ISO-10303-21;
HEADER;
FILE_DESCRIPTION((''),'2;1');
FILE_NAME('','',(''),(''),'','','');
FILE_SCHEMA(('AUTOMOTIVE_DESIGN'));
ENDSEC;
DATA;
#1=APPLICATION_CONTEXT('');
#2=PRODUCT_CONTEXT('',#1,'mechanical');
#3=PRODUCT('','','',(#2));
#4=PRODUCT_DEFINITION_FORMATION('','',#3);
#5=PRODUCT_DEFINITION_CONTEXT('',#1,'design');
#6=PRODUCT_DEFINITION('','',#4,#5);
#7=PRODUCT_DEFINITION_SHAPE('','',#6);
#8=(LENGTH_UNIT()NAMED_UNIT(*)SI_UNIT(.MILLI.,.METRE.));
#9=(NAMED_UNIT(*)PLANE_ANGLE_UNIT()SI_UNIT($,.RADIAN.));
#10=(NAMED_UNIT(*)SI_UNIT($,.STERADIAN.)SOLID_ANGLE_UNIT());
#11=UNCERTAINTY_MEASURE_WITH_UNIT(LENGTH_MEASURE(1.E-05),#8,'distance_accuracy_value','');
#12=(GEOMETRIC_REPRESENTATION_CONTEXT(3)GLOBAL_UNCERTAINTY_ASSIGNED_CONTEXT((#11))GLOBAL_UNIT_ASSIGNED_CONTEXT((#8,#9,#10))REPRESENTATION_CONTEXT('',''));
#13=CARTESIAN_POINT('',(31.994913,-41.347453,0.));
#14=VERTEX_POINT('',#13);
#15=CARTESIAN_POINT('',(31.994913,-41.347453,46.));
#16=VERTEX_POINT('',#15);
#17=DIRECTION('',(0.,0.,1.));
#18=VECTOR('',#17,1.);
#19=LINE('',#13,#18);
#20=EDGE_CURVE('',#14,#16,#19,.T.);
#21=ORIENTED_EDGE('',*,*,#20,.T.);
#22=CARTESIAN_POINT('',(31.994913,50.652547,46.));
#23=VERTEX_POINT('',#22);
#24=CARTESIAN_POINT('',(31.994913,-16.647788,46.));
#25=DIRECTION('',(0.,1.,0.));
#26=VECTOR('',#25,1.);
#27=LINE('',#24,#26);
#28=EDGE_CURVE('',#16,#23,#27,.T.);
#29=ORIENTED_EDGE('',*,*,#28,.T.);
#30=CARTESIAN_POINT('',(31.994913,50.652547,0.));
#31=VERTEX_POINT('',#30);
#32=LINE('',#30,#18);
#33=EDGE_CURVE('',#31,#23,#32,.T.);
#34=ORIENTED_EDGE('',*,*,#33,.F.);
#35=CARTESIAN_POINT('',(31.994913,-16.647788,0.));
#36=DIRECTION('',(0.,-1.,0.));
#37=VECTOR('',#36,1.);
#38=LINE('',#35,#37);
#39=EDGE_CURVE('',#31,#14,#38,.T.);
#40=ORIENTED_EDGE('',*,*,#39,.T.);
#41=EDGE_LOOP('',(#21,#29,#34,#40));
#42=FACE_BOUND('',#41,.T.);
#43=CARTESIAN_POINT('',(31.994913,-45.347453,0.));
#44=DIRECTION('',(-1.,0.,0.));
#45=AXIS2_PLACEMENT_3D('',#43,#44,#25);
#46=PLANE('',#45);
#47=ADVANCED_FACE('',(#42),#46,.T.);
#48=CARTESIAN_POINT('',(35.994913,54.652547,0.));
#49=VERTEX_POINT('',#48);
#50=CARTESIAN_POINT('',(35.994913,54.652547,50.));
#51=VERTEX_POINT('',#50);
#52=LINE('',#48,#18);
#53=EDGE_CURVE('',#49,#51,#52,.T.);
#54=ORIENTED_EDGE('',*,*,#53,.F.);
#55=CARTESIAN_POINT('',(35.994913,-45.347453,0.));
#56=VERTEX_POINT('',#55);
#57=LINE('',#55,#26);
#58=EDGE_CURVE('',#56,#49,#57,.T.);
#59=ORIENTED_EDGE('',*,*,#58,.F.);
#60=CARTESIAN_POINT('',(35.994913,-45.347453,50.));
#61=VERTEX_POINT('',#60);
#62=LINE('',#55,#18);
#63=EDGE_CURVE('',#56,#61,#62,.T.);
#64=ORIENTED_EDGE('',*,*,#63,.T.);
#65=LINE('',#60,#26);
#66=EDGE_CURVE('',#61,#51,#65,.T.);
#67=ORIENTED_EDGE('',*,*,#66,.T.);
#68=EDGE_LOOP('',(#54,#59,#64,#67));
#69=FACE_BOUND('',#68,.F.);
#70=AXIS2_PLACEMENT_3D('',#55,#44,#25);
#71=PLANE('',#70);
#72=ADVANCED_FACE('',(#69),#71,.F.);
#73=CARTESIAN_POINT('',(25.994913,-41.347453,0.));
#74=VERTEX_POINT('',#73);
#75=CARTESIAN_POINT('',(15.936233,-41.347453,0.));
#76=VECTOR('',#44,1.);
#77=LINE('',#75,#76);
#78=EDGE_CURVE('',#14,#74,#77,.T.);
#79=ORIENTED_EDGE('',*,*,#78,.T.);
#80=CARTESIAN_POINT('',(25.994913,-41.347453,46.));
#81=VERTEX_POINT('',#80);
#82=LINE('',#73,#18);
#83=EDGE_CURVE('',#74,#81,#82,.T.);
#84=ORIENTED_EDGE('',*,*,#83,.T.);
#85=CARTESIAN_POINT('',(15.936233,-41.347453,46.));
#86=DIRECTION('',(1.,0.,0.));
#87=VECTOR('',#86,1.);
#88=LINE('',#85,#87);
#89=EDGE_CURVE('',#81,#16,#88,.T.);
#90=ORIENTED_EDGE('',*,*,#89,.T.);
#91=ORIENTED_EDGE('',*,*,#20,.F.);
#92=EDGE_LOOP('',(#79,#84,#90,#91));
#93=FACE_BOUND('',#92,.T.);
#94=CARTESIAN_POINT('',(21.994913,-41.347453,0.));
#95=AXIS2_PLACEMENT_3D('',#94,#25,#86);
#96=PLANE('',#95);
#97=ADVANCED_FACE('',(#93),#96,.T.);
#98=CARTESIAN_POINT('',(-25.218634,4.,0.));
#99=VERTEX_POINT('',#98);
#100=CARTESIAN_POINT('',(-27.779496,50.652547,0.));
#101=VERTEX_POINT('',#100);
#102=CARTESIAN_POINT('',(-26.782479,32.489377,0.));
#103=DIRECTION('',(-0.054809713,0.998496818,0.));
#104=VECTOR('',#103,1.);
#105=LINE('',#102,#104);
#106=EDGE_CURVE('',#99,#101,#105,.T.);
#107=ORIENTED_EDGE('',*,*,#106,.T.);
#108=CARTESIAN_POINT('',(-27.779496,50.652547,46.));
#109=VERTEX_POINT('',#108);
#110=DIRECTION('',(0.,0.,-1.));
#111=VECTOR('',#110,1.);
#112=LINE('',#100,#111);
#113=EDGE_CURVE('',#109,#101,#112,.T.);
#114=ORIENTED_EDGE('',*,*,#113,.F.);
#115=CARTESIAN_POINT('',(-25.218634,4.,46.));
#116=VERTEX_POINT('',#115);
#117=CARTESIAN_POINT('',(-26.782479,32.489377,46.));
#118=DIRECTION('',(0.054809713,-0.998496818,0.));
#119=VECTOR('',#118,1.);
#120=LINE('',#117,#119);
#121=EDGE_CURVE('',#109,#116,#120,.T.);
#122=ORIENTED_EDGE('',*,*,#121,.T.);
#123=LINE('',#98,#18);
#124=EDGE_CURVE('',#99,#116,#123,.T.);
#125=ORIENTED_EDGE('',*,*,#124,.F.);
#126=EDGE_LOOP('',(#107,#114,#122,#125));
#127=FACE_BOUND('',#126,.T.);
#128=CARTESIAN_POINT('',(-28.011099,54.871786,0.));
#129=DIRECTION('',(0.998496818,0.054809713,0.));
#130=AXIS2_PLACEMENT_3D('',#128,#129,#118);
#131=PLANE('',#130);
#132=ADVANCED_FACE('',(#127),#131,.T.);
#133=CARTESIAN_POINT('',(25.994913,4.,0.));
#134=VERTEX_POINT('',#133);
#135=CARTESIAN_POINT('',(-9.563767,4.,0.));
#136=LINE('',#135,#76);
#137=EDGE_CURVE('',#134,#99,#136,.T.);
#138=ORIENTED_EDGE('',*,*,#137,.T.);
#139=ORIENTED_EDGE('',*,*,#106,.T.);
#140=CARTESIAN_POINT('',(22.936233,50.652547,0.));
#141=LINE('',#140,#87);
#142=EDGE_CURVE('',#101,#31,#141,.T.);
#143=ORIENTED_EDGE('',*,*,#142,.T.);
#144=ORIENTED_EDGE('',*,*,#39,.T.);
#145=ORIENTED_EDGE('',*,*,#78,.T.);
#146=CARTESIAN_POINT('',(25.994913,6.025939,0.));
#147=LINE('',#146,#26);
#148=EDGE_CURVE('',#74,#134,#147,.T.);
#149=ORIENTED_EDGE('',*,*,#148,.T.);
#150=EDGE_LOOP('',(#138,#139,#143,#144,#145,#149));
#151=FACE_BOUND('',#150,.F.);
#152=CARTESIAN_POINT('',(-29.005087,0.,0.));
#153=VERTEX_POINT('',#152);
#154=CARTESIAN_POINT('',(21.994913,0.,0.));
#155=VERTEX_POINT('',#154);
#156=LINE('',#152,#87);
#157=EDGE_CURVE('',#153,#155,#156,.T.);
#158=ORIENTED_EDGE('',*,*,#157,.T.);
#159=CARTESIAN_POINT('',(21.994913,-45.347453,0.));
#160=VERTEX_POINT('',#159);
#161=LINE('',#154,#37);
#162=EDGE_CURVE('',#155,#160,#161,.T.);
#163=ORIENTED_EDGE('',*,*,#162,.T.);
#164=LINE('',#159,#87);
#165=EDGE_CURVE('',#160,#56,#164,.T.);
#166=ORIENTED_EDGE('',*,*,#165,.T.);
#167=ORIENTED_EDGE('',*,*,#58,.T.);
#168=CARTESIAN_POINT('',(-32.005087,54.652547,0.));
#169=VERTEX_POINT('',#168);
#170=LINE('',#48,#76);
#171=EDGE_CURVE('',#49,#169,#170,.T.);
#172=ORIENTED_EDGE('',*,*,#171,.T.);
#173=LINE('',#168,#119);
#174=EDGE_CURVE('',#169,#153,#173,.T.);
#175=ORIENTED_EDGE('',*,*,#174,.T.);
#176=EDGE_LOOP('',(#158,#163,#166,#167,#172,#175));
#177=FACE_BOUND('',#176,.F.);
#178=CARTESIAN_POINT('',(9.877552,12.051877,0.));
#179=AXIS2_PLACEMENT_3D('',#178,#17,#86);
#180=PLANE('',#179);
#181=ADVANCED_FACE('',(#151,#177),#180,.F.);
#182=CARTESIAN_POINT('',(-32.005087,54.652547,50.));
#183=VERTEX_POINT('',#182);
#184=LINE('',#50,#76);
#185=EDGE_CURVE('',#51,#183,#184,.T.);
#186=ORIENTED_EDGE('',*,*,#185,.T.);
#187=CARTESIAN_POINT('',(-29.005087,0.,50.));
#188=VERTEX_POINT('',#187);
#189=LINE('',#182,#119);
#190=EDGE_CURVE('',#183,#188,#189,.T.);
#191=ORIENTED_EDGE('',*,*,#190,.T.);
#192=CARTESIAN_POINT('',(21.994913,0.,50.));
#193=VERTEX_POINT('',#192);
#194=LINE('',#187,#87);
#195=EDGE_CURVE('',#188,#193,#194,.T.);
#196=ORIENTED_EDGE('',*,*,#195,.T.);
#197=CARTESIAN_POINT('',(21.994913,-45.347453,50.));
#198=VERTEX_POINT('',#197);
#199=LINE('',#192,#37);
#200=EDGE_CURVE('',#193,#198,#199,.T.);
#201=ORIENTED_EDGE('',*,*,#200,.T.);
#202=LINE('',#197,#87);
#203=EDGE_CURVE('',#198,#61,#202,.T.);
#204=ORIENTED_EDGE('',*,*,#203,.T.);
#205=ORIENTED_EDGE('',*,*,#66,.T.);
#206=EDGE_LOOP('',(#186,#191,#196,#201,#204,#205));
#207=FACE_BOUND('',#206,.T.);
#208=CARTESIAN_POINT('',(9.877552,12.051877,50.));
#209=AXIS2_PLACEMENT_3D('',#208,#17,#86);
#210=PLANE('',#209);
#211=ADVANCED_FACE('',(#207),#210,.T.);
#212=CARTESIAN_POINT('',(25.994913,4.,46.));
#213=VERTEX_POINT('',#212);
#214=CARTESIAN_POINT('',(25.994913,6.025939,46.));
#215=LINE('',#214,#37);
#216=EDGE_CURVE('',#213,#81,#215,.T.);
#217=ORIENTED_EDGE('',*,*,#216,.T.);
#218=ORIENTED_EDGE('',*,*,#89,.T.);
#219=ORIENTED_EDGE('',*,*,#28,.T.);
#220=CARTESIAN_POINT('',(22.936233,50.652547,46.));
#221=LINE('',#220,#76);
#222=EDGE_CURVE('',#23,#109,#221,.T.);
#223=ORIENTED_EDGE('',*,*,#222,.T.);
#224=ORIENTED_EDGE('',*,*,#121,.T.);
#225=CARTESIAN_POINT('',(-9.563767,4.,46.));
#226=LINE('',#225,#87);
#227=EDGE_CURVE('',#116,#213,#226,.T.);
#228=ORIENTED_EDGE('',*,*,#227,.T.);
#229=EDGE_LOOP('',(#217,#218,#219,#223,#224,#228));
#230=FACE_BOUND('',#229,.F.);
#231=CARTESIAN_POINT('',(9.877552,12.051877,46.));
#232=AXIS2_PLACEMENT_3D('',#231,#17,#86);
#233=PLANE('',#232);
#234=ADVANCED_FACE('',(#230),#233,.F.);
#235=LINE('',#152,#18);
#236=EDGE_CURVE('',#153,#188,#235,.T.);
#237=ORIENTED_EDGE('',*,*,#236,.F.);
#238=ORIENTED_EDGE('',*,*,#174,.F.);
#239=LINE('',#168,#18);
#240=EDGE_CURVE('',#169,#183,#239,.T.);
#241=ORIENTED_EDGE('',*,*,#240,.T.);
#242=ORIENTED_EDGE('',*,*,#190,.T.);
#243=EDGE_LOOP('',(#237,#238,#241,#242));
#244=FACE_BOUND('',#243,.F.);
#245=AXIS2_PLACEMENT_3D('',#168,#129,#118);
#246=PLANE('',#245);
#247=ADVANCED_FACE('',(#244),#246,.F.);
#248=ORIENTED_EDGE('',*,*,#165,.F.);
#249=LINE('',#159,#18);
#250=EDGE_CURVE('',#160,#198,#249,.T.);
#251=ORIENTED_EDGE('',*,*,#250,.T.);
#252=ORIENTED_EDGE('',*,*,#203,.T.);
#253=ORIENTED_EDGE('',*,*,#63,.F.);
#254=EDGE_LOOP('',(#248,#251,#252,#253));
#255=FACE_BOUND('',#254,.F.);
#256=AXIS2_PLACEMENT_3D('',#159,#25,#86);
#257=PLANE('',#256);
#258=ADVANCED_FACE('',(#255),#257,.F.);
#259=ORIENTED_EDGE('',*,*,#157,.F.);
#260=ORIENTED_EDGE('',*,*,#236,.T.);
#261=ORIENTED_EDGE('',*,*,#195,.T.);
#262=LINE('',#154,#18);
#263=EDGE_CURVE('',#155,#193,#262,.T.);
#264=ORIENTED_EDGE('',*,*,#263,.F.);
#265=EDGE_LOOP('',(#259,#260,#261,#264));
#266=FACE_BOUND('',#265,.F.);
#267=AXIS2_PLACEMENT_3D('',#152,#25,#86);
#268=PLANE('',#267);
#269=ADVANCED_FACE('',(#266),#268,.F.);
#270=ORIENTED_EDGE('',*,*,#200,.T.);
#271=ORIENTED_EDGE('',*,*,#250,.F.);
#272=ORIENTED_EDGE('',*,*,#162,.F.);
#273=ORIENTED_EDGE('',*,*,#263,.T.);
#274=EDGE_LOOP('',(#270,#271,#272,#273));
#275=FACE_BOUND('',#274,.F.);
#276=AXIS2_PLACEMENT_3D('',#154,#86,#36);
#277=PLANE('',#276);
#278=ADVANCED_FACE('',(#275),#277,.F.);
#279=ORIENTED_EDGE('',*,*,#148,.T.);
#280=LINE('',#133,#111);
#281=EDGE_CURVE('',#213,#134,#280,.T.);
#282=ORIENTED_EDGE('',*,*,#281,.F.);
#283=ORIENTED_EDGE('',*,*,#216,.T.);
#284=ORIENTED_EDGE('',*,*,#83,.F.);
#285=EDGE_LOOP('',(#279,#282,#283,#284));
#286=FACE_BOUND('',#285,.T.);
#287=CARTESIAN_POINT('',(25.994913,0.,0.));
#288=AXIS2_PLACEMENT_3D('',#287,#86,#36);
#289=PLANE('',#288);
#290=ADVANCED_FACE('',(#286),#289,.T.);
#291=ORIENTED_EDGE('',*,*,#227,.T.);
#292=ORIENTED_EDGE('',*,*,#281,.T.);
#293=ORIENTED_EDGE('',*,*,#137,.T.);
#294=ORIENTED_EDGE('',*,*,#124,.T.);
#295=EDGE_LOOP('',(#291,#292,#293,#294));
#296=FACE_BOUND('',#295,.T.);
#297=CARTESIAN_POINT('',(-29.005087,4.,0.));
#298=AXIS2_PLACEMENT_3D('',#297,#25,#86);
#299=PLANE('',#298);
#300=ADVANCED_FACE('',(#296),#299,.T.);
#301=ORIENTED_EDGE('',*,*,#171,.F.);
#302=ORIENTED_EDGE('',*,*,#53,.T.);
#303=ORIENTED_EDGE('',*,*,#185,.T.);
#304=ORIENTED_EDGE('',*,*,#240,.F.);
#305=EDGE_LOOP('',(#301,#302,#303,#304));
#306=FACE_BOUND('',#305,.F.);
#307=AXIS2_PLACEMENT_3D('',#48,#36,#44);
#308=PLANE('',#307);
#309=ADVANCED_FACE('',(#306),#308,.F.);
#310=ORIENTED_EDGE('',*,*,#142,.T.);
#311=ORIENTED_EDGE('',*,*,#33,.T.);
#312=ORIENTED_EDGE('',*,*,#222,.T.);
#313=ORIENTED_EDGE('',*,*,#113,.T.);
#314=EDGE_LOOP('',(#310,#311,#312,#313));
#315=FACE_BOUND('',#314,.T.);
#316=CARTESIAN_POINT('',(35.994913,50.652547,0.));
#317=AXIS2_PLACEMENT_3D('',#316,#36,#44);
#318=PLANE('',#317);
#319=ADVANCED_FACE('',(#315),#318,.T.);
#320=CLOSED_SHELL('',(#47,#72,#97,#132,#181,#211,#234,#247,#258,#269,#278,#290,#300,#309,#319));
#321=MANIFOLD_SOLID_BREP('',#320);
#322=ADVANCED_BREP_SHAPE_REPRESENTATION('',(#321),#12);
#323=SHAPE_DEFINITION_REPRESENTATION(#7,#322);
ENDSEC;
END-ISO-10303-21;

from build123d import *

# Parameters (mm, degrees)
F1_DEPTH = 50
F2_T     = -4


with BuildPart() as f1:
    # F0 (on Top) → F1 (new body)
    with BuildSketch(Plane.XY):
        Polygon((-32.005086571, 54.6525474638), (-29.005086571, 0), (21.994913429, 0), (21.994913429, -45.3474525362), (35.994913429, -45.3474525362), (35.994913429, 54.6525474638), align=None)
    extrude(amount=F1_DEPTH)

    # F2
    f2_openings = [f1.faces().sort_by_distance(p)[0] for p in [
        (6.643645, 20.065882, 0),
    ]]
    offset(amount=F2_T, openings=f2_openings, kind=Kind.INTERSECTION)


solid = f1.part
